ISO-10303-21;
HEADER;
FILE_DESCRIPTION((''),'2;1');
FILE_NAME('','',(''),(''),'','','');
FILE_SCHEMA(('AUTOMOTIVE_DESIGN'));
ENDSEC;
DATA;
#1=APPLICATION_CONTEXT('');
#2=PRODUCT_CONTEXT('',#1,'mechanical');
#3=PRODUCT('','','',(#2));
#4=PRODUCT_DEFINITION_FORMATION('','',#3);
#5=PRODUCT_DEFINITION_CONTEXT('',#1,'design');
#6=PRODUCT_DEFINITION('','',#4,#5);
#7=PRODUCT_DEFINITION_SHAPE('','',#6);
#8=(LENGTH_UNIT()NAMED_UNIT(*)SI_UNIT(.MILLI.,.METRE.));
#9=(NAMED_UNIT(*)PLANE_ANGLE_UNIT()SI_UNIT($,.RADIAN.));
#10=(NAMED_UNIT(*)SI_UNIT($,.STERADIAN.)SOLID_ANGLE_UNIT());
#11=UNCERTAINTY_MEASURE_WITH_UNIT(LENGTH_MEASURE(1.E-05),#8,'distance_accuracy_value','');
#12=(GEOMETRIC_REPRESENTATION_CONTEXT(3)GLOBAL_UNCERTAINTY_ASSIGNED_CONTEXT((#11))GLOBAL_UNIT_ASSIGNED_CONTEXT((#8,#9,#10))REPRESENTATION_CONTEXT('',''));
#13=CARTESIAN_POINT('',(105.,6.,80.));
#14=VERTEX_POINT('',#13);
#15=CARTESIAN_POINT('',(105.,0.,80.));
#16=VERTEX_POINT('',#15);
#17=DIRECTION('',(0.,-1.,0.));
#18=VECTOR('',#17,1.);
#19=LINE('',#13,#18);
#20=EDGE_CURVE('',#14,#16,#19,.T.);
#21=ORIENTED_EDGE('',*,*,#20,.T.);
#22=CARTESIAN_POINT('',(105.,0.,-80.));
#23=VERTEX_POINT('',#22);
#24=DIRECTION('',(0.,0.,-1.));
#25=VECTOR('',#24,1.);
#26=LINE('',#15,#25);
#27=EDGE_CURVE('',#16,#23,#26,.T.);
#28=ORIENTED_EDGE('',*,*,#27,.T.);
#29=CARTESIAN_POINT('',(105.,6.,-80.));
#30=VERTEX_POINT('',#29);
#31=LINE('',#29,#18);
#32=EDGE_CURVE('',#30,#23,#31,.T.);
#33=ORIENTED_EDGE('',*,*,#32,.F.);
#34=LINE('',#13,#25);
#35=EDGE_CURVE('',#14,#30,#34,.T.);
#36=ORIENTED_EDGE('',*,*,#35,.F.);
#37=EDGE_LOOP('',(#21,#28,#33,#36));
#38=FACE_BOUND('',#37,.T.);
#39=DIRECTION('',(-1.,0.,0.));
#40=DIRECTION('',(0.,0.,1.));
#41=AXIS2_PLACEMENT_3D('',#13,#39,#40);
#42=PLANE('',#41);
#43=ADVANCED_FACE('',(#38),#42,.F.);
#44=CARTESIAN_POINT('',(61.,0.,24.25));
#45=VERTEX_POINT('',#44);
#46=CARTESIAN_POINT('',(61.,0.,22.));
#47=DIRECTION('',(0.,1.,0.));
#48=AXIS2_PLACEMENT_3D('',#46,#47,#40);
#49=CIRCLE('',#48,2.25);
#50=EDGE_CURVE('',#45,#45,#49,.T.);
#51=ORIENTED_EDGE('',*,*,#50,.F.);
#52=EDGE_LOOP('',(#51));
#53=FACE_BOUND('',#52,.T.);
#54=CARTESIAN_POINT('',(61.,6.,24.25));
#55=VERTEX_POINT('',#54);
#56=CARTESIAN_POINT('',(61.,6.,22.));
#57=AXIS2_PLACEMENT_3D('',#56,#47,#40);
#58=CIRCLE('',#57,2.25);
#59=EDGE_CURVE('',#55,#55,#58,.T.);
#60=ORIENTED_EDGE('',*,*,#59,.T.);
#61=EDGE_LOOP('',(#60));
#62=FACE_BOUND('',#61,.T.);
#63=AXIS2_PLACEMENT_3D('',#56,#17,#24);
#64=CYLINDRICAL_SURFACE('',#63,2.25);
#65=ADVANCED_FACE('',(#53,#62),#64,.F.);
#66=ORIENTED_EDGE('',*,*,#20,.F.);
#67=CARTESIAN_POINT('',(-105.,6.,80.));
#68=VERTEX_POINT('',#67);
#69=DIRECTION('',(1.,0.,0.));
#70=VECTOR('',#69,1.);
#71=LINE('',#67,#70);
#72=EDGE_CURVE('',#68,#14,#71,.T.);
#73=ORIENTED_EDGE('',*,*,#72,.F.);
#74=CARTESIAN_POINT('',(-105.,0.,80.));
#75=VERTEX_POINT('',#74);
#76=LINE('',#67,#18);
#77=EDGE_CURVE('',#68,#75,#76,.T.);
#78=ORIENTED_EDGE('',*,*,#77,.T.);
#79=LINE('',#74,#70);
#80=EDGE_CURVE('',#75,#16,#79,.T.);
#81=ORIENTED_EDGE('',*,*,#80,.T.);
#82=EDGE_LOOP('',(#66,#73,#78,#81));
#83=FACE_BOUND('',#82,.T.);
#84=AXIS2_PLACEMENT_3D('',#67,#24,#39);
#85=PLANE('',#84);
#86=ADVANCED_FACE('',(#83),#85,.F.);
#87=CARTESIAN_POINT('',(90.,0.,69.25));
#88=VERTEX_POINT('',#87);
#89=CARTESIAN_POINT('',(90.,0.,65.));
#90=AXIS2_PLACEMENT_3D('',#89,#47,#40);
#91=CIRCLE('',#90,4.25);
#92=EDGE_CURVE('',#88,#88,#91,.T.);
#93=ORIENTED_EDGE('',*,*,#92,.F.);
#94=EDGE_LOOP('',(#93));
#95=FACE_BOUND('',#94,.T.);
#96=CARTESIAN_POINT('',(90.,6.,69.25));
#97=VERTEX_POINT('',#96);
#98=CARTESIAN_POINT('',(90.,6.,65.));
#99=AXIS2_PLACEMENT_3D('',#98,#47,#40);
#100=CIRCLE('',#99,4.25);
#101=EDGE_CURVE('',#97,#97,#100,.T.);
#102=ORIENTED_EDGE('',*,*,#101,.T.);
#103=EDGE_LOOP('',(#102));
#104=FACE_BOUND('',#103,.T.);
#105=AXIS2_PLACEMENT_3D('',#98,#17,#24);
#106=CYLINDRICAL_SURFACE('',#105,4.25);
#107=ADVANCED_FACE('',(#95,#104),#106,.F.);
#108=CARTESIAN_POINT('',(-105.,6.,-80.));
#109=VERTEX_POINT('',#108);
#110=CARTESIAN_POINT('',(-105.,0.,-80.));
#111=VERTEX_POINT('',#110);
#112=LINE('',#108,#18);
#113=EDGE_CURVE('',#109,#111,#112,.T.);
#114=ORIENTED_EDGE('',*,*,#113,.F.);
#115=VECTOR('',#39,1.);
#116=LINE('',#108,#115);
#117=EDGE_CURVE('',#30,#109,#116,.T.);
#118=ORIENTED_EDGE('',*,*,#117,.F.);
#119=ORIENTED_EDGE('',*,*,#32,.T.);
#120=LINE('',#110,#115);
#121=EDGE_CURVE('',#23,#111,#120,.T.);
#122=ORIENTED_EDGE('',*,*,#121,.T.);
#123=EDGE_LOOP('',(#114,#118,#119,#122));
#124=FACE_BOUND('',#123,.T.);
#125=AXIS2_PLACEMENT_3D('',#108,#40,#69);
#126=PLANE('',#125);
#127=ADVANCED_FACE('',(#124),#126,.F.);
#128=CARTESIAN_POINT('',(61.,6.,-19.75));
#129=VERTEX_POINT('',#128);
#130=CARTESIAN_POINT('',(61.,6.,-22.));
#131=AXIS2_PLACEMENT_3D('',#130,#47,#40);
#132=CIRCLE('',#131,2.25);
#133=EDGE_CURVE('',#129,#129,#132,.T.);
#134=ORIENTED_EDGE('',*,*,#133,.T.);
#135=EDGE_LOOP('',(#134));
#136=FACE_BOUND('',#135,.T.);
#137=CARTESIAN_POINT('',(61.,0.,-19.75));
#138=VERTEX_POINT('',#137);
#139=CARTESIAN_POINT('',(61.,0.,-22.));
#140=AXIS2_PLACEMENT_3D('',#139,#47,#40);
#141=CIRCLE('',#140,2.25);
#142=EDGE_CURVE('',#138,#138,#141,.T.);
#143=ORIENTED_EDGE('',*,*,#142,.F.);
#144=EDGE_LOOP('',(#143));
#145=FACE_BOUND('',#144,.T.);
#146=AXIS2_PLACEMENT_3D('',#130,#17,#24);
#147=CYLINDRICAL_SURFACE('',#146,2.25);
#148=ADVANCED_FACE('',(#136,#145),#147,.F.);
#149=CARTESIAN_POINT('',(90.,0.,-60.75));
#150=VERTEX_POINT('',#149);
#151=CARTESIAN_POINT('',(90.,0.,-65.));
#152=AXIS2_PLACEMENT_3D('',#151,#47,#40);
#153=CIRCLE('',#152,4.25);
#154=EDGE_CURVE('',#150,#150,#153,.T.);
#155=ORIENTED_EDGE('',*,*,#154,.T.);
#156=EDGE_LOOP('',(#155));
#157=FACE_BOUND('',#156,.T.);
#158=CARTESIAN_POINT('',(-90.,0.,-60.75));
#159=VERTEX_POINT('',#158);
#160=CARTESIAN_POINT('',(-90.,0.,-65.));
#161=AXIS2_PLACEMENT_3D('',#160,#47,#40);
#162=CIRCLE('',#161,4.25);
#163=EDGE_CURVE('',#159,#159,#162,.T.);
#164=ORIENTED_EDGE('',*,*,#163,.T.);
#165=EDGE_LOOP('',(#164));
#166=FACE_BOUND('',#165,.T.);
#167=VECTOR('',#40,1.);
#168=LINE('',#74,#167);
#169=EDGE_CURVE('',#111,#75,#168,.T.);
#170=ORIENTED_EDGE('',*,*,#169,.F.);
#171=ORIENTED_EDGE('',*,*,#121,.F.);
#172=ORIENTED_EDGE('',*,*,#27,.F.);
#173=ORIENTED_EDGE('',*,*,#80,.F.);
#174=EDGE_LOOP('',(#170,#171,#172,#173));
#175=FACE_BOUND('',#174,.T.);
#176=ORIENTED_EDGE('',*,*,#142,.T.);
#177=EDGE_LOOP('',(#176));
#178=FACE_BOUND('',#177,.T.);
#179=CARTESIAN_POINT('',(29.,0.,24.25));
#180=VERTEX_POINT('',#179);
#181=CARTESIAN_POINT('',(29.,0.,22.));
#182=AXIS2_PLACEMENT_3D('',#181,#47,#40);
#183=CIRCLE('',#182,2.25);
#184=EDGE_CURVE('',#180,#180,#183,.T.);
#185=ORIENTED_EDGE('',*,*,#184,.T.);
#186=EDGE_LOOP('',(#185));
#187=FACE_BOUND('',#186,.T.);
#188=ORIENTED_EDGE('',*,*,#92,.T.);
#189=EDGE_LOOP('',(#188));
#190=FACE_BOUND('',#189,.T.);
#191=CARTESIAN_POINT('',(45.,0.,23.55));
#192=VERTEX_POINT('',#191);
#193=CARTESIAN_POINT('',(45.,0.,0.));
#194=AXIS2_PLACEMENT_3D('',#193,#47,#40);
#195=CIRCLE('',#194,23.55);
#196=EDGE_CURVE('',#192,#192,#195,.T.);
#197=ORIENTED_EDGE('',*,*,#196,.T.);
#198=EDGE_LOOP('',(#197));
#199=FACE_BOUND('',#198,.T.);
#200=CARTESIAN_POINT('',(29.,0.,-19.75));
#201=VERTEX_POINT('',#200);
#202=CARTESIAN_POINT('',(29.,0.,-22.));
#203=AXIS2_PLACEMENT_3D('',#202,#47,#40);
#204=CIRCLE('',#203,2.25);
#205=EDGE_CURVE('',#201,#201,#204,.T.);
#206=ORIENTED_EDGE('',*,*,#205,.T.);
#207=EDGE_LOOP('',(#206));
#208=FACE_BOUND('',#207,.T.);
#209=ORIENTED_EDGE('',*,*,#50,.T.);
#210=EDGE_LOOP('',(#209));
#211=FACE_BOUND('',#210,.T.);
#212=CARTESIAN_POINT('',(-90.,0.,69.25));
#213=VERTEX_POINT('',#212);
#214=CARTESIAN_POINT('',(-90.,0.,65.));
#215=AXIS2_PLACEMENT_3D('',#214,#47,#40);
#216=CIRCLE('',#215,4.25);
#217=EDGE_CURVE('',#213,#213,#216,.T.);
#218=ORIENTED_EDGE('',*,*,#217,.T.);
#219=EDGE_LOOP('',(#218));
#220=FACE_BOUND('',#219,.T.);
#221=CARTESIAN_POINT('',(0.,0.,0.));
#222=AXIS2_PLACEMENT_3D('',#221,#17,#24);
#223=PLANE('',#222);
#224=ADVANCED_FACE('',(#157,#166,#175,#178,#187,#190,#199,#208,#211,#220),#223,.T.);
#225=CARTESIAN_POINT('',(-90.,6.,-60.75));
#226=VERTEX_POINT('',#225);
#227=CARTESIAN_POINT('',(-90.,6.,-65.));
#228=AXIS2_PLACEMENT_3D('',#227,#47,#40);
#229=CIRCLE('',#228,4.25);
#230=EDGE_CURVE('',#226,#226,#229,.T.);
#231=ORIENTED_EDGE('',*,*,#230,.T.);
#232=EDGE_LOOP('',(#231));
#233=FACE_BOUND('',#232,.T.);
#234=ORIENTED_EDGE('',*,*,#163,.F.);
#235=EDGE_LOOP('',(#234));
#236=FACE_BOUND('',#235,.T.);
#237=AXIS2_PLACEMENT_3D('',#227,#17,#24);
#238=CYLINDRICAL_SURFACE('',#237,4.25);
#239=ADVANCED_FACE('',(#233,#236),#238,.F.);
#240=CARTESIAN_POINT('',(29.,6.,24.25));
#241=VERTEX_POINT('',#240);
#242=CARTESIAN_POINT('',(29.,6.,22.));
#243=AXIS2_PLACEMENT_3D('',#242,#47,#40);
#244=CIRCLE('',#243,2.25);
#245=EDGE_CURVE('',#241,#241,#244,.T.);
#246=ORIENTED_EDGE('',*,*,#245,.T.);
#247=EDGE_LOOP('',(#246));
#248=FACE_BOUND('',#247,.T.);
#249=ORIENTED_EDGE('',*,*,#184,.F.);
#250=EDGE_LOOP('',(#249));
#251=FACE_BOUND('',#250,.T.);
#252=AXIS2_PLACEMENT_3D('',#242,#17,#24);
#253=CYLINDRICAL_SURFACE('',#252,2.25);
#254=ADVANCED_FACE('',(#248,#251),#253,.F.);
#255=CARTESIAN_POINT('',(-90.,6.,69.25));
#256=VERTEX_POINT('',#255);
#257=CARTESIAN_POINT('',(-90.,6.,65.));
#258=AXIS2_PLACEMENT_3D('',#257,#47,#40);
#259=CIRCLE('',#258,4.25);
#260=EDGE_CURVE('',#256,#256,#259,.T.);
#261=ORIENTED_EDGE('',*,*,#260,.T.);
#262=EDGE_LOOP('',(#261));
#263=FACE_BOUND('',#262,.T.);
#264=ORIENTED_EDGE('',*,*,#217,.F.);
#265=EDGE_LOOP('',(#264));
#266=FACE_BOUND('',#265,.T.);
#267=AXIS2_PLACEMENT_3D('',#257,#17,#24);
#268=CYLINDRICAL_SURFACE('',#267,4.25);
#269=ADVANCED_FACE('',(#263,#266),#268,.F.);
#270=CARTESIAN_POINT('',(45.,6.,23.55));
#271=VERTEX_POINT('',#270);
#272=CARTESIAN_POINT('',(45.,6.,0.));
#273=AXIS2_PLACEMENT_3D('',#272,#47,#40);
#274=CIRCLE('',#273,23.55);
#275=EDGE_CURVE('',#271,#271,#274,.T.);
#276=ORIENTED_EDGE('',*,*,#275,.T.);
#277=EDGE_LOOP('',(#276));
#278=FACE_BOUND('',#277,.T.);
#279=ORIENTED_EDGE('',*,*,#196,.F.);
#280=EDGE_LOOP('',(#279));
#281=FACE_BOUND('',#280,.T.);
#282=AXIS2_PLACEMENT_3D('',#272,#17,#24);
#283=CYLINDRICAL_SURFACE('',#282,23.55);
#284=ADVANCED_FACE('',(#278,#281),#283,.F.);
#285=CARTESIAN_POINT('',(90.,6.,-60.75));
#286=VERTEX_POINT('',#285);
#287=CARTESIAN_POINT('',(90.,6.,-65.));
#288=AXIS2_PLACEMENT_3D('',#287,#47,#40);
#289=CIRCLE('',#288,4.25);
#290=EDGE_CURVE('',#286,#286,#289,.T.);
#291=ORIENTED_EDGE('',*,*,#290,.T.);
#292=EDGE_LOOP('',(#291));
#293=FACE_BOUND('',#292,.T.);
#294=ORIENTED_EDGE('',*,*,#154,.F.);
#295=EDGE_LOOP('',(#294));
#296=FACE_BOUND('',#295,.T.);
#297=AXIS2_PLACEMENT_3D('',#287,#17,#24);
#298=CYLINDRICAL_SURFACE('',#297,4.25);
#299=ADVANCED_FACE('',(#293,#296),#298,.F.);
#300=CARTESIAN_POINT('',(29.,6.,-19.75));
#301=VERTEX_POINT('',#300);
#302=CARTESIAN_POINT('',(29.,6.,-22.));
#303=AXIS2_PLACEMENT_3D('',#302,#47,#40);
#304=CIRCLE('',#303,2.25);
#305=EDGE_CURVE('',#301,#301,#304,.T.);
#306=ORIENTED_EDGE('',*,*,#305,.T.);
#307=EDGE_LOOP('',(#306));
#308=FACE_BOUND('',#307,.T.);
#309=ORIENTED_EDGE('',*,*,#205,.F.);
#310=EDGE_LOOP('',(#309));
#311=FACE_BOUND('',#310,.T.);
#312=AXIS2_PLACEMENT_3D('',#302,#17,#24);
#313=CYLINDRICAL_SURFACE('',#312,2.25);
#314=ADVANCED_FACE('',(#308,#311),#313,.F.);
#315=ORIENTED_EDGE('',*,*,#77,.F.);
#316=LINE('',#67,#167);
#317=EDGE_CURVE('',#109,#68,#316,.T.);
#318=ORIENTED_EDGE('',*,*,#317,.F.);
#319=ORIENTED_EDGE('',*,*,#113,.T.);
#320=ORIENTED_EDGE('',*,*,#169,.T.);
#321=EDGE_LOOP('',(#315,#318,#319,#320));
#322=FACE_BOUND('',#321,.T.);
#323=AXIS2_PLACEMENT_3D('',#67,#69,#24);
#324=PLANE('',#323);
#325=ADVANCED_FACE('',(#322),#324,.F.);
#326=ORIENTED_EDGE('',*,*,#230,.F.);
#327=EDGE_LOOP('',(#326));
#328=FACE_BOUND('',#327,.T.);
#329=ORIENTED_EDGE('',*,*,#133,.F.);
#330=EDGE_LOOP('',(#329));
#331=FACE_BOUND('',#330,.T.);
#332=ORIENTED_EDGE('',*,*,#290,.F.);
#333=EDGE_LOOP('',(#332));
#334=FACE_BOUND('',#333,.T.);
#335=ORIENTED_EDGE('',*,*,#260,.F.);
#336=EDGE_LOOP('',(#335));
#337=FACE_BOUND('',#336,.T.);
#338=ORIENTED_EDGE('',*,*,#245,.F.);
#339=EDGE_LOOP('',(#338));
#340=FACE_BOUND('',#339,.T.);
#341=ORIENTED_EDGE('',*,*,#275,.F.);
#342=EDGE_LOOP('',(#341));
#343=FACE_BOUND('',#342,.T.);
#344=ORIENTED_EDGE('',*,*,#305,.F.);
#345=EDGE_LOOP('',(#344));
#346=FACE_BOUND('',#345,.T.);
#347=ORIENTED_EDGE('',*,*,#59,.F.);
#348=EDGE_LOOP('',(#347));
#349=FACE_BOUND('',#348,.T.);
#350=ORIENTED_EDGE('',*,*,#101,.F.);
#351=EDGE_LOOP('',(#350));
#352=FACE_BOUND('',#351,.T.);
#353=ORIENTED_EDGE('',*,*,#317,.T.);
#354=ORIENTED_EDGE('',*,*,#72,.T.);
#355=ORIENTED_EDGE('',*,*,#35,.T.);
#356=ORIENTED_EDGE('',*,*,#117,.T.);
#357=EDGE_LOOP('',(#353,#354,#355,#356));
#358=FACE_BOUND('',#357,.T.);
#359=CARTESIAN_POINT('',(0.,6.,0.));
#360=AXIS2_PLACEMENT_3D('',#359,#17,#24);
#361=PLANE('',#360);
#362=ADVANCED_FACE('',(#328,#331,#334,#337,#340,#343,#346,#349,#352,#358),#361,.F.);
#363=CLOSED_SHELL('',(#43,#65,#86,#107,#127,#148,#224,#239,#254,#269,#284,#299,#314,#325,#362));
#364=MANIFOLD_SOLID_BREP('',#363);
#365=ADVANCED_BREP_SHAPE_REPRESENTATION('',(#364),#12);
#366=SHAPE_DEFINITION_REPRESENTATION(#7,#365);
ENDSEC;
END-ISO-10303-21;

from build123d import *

# Parameters (mm, degrees)
SKETCH1_W           = 210
SKETCH1_H           = 160
SKETCH1_R           = 23.55
SKETCH1_R_2         = 4.25
SKETCH1_R_3         = 2.25
PLATE_EXTRUDE_DEPTH = 6


with BuildPart() as part:
    # Sketch1 → Plate_Extrude (new body)
    with BuildSketch(Plane(origin=(0, 0, 0), x_dir=(1, 0, 0), z_dir=(0, 1, 0))):
        Rectangle(SKETCH1_W, SKETCH1_H)
        with Locations(Location((45, 0, 0), (0, 0, 270))):
            Circle(SKETCH1_R, mode=Mode.SUBTRACT)
        with Locations(Location((-90, -65, 0), (0, 0, 270))):
            Circle(SKETCH1_R_2, mode=Mode.SUBTRACT)
        with Locations(Location((90, -65, 0), (0, 0, 270))):
            Circle(SKETCH1_R_2, mode=Mode.SUBTRACT)
        with Locations(Location((-90, 65, 0), (0, 0, 270))):
            Circle(SKETCH1_R_2, mode=Mode.SUBTRACT)
        with Locations(Location((90, 65, 0), (0, 0, 270))):
            Circle(SKETCH1_R_2, mode=Mode.SUBTRACT)
        with Locations(Location((29, -22, 0), (0, 0, 270))):
            Circle(SKETCH1_R_3, mode=Mode.SUBTRACT)
        with Locations(Location((61, -22, 0), (0, 0, 270))):
            Circle(SKETCH1_R_3, mode=Mode.SUBTRACT)
        with Locations(Location((29, 22, 0), (0, 0, 270))):
            Circle(SKETCH1_R_3, mode=Mode.SUBTRACT)
        with Locations(Location((61, 22, 0), (0, 0, 270))):
            Circle(SKETCH1_R_3, mode=Mode.SUBTRACT)
    extrude(amount=PLATE_EXTRUDE_DEPTH)


solid = part.part
